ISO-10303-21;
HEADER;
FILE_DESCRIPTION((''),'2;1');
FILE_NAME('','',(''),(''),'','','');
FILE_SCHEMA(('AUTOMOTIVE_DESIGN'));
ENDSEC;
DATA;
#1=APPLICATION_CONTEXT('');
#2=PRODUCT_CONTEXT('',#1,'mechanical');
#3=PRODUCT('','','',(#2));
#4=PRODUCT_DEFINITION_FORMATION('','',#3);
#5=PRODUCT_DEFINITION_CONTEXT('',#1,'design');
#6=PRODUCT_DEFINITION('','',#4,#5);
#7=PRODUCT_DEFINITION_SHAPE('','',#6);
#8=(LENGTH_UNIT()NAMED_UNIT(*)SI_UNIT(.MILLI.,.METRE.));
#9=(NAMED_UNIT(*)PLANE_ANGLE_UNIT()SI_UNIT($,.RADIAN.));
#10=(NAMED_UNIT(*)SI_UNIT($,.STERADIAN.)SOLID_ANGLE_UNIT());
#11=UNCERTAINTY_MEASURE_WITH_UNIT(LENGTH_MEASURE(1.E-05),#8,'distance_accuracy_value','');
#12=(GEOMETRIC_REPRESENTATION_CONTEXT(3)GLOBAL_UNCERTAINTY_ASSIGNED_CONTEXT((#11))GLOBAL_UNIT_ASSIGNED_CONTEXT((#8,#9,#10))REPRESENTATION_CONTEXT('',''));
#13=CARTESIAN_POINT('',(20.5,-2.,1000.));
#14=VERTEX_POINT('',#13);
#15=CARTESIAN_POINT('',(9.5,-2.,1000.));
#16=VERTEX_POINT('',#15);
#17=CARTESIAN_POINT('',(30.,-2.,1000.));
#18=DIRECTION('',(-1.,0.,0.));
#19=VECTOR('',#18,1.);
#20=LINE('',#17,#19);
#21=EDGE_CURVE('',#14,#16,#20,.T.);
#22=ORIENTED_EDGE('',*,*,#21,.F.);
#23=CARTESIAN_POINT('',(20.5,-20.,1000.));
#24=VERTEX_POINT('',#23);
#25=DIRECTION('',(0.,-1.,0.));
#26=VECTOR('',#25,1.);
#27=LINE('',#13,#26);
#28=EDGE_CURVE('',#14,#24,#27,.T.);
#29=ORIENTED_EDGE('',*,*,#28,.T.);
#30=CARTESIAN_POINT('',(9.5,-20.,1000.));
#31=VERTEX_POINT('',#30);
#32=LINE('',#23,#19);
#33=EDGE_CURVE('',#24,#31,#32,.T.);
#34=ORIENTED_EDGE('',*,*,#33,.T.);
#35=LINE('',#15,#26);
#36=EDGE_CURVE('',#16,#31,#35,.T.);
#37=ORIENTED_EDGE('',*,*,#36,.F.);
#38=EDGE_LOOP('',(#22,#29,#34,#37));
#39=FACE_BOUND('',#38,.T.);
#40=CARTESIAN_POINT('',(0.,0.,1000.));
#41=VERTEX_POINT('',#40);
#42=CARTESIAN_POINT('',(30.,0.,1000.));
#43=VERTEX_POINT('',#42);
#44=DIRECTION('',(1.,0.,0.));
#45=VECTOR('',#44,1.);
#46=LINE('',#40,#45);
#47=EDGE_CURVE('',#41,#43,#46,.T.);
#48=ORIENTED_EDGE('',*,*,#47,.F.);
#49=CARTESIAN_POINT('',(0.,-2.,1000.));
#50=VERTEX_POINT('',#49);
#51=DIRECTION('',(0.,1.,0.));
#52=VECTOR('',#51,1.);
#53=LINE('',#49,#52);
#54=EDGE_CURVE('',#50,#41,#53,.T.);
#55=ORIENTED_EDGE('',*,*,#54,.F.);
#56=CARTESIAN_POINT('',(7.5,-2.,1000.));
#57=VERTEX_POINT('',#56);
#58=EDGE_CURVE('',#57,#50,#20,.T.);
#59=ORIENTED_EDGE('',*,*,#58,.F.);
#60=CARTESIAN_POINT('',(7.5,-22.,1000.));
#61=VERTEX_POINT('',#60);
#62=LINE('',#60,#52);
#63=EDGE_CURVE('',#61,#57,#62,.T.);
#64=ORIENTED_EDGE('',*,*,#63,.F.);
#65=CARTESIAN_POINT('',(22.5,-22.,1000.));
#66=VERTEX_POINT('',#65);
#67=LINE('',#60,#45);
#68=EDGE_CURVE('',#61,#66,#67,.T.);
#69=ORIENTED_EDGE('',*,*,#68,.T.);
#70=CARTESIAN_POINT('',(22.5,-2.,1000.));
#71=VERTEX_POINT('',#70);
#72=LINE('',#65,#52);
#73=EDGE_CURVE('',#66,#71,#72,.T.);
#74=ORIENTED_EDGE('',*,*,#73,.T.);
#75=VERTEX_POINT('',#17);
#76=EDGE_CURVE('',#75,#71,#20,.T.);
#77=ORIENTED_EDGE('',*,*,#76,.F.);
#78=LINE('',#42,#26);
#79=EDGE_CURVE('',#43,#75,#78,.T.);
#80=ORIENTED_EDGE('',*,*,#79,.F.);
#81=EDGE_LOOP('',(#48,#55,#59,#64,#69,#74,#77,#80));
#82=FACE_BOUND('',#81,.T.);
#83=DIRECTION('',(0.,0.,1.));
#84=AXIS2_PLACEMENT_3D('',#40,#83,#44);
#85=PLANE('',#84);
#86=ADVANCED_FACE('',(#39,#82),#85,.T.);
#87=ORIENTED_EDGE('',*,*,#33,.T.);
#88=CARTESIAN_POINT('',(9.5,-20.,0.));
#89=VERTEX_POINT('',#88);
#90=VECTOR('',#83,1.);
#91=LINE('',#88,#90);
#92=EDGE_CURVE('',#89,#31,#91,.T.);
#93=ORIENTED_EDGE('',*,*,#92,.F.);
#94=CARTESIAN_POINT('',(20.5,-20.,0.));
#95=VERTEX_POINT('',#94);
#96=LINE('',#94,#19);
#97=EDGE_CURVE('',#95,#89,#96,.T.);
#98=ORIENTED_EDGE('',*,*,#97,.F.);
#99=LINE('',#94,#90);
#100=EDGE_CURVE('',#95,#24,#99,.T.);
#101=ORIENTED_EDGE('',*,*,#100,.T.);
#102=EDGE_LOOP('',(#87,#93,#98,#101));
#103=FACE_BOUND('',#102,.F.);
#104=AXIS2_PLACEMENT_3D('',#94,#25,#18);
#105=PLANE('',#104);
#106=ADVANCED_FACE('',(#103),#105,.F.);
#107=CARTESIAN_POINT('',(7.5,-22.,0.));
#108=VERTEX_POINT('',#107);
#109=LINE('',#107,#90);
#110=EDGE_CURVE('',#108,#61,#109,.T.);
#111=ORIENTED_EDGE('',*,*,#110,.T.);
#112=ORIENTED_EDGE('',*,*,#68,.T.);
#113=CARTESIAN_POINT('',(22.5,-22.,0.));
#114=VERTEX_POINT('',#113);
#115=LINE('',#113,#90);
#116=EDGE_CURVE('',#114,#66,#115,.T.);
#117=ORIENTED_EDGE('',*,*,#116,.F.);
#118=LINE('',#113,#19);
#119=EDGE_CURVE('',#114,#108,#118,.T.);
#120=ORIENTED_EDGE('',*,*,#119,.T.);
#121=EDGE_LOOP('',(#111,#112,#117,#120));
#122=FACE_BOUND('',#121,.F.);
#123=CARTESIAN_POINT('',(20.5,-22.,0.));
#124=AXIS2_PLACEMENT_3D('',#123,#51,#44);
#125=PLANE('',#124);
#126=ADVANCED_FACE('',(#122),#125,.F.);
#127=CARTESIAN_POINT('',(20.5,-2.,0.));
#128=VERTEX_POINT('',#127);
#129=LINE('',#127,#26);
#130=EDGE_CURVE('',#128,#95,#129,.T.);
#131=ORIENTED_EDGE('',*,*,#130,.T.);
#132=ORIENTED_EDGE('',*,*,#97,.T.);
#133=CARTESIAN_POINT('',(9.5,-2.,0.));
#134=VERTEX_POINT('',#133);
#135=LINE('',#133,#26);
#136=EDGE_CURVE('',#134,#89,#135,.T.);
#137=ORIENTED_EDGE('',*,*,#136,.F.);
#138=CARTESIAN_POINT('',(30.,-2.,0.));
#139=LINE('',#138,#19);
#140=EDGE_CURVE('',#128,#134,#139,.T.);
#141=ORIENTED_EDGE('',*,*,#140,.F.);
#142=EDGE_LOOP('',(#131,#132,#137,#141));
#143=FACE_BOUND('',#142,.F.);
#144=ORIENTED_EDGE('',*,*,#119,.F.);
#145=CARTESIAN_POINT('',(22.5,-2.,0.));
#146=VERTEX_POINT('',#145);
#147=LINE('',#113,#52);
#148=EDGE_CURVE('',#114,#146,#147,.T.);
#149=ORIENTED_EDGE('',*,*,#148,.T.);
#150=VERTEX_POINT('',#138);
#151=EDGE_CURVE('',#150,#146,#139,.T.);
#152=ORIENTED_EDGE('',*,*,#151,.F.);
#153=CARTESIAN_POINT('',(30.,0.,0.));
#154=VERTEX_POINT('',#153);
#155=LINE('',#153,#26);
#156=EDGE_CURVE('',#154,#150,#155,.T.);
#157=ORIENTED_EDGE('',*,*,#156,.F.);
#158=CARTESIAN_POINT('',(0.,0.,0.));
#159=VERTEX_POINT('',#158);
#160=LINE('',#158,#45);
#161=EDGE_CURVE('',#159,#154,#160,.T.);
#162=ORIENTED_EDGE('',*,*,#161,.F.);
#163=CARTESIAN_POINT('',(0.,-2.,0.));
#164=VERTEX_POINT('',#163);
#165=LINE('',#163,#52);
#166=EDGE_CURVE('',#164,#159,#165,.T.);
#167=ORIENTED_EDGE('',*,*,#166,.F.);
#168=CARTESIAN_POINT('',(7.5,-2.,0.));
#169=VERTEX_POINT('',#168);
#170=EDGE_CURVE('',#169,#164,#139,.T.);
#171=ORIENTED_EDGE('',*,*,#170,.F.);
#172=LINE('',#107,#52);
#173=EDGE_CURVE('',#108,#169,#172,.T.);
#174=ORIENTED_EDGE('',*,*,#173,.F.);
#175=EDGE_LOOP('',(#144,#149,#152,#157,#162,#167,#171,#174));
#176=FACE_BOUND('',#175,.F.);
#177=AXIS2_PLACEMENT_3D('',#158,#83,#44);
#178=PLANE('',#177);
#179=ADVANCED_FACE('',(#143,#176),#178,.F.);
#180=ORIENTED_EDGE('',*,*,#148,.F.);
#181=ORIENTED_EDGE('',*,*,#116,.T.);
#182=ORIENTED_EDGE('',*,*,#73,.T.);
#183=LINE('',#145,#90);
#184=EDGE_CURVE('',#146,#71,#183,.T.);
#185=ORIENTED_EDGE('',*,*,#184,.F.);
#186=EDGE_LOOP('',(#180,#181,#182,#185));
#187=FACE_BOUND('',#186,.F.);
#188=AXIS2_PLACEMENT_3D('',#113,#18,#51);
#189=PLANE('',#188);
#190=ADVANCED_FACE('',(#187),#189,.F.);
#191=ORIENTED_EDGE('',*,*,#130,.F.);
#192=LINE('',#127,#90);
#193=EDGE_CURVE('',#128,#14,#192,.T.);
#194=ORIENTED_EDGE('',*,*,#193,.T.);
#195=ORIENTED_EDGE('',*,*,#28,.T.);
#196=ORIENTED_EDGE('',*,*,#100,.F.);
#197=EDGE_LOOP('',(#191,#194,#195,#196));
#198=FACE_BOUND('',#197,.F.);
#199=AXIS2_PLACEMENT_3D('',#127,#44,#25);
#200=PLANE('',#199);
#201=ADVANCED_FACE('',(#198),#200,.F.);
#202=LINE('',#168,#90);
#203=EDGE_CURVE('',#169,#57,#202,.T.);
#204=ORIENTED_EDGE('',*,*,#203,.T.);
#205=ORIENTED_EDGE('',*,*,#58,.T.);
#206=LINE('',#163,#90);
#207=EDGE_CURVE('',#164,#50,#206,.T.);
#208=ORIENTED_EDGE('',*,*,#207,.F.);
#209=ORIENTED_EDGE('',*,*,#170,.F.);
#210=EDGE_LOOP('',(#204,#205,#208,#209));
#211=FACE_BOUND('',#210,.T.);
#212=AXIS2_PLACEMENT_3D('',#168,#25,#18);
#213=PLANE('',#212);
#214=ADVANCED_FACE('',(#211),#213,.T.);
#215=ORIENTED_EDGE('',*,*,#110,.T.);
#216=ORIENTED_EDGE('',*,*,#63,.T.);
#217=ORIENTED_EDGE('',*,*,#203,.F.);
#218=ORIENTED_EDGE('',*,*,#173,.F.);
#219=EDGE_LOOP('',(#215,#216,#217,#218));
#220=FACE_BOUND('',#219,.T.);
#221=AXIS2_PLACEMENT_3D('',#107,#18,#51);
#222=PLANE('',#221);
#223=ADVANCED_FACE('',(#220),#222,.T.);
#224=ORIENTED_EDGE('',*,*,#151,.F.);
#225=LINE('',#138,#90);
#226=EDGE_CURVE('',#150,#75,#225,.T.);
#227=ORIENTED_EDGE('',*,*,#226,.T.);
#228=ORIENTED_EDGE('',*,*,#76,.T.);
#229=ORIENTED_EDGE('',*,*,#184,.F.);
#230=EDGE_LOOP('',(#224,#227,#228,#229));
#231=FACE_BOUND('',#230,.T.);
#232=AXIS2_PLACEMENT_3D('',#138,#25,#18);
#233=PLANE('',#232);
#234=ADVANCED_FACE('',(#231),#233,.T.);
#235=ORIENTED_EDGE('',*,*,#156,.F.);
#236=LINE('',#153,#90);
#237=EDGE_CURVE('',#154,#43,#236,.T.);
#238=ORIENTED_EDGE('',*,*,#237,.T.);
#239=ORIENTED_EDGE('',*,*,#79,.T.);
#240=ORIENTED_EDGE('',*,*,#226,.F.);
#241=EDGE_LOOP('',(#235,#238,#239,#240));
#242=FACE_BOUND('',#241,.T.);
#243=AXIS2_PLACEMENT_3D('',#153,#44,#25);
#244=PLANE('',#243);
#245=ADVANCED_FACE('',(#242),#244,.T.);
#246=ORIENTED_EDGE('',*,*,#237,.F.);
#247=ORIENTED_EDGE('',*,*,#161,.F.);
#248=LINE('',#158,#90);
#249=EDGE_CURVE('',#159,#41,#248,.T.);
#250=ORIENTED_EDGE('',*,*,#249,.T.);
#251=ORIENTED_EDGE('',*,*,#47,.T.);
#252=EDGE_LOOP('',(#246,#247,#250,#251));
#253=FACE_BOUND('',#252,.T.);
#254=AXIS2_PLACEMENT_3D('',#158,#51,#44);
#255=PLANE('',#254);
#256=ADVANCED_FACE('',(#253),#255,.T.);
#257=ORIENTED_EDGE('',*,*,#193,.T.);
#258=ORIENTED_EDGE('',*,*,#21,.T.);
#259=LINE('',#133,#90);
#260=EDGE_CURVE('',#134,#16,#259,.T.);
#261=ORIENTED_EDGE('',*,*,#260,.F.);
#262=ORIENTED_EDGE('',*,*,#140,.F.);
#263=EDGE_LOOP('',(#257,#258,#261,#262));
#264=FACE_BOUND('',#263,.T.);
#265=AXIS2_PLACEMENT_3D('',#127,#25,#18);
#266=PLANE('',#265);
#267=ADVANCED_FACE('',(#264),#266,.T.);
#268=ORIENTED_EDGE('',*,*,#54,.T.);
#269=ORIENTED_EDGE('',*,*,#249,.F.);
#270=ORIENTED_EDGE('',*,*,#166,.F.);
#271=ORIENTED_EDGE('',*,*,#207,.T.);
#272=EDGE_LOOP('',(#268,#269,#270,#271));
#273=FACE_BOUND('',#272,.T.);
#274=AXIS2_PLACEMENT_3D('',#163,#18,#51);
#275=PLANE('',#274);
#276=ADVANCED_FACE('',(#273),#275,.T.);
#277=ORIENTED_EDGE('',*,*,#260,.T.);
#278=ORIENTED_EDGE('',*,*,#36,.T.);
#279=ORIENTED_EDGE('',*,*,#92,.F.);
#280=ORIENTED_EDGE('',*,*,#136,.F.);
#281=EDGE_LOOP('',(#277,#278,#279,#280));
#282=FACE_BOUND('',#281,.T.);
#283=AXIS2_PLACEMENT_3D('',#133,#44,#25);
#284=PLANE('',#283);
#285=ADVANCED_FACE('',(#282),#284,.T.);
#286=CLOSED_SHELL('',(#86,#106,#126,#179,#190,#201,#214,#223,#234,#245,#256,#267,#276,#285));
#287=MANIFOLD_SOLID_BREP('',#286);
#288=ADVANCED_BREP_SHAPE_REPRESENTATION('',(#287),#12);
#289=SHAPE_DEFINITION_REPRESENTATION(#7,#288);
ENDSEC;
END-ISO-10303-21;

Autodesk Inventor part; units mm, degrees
ref_plane "YZ Plane" through (0, 0, 0) normal (1, 0, 0) x (0, 1, 0)
ref_plane "XZ Plane" through (0, 0, 0) normal (0, 1, 0) x (-1, 0, 0)
ref_plane "XY Plane" through (0, 0, 0) normal (0, 0, 1) x (1, 0, 0)
sketch "Skizze1" plane through (0, 0, 0) normal (0, 0, 1) x (1, 0, 0)
  line L0 (0, 0) -> (30, 0)
  line L1 (30, 0) -> (30, -2)
  line L2 (30, -2) -> (0, -2)
  line L3 (0, -2) -> (0, 0)
  line L4 (7.5, -2) -> (9.5, -2)
  line L5 (9.5, -2) -> (9.5, -22)
  line L6 (9.5, -22) -> (7.5, -22)
  line L7 (7.5, -22) -> (7.5, -2)
  line L8 (9.5, -22) -> (20.5, -22)
  line L9 (20.5, -22) -> (20.5, -20)
  line L10 (20.5, -20) -> (9.5, -20)
  line L11 (9.5, -20) -> (9.5, -22)
  line L12 (20.5, -22) -> (22.5, -22)
  line L13 (22.5, -22) -> (22.5, -2)
  line L14 (22.5, -2) -> (20.5, -2)
  line L15 (20.5, -2) -> (20.5, -22)
  line L16 (15, -20) -> (15, -2) construction
  point P0 (20.5, -2)
  point P1 (9.5, -2)
  dimension "d0" = 30
  dimension "d1" = 2
  dimension "d2" = 2
  dimension "d3" = 20
  dimension "d4" = 11
  dimension "d5" = 2
  dimension "d6" = 2
  dimension "d7" = 7.5
  dimension "d8" = 20.5
  dimension "d9" = 20
  dimension "d12" = 7.5
extrude "Extrusion1" add sketch "Skizze1" along normal blind 1000 contours L0 L1 L2 L3 | L2 L5 L6 L7 | L13 L12 L9 L15 L2 | L10 L9 L8 L5
properties part number "TrägerUI" material "Aluminium 6061, Katze"
